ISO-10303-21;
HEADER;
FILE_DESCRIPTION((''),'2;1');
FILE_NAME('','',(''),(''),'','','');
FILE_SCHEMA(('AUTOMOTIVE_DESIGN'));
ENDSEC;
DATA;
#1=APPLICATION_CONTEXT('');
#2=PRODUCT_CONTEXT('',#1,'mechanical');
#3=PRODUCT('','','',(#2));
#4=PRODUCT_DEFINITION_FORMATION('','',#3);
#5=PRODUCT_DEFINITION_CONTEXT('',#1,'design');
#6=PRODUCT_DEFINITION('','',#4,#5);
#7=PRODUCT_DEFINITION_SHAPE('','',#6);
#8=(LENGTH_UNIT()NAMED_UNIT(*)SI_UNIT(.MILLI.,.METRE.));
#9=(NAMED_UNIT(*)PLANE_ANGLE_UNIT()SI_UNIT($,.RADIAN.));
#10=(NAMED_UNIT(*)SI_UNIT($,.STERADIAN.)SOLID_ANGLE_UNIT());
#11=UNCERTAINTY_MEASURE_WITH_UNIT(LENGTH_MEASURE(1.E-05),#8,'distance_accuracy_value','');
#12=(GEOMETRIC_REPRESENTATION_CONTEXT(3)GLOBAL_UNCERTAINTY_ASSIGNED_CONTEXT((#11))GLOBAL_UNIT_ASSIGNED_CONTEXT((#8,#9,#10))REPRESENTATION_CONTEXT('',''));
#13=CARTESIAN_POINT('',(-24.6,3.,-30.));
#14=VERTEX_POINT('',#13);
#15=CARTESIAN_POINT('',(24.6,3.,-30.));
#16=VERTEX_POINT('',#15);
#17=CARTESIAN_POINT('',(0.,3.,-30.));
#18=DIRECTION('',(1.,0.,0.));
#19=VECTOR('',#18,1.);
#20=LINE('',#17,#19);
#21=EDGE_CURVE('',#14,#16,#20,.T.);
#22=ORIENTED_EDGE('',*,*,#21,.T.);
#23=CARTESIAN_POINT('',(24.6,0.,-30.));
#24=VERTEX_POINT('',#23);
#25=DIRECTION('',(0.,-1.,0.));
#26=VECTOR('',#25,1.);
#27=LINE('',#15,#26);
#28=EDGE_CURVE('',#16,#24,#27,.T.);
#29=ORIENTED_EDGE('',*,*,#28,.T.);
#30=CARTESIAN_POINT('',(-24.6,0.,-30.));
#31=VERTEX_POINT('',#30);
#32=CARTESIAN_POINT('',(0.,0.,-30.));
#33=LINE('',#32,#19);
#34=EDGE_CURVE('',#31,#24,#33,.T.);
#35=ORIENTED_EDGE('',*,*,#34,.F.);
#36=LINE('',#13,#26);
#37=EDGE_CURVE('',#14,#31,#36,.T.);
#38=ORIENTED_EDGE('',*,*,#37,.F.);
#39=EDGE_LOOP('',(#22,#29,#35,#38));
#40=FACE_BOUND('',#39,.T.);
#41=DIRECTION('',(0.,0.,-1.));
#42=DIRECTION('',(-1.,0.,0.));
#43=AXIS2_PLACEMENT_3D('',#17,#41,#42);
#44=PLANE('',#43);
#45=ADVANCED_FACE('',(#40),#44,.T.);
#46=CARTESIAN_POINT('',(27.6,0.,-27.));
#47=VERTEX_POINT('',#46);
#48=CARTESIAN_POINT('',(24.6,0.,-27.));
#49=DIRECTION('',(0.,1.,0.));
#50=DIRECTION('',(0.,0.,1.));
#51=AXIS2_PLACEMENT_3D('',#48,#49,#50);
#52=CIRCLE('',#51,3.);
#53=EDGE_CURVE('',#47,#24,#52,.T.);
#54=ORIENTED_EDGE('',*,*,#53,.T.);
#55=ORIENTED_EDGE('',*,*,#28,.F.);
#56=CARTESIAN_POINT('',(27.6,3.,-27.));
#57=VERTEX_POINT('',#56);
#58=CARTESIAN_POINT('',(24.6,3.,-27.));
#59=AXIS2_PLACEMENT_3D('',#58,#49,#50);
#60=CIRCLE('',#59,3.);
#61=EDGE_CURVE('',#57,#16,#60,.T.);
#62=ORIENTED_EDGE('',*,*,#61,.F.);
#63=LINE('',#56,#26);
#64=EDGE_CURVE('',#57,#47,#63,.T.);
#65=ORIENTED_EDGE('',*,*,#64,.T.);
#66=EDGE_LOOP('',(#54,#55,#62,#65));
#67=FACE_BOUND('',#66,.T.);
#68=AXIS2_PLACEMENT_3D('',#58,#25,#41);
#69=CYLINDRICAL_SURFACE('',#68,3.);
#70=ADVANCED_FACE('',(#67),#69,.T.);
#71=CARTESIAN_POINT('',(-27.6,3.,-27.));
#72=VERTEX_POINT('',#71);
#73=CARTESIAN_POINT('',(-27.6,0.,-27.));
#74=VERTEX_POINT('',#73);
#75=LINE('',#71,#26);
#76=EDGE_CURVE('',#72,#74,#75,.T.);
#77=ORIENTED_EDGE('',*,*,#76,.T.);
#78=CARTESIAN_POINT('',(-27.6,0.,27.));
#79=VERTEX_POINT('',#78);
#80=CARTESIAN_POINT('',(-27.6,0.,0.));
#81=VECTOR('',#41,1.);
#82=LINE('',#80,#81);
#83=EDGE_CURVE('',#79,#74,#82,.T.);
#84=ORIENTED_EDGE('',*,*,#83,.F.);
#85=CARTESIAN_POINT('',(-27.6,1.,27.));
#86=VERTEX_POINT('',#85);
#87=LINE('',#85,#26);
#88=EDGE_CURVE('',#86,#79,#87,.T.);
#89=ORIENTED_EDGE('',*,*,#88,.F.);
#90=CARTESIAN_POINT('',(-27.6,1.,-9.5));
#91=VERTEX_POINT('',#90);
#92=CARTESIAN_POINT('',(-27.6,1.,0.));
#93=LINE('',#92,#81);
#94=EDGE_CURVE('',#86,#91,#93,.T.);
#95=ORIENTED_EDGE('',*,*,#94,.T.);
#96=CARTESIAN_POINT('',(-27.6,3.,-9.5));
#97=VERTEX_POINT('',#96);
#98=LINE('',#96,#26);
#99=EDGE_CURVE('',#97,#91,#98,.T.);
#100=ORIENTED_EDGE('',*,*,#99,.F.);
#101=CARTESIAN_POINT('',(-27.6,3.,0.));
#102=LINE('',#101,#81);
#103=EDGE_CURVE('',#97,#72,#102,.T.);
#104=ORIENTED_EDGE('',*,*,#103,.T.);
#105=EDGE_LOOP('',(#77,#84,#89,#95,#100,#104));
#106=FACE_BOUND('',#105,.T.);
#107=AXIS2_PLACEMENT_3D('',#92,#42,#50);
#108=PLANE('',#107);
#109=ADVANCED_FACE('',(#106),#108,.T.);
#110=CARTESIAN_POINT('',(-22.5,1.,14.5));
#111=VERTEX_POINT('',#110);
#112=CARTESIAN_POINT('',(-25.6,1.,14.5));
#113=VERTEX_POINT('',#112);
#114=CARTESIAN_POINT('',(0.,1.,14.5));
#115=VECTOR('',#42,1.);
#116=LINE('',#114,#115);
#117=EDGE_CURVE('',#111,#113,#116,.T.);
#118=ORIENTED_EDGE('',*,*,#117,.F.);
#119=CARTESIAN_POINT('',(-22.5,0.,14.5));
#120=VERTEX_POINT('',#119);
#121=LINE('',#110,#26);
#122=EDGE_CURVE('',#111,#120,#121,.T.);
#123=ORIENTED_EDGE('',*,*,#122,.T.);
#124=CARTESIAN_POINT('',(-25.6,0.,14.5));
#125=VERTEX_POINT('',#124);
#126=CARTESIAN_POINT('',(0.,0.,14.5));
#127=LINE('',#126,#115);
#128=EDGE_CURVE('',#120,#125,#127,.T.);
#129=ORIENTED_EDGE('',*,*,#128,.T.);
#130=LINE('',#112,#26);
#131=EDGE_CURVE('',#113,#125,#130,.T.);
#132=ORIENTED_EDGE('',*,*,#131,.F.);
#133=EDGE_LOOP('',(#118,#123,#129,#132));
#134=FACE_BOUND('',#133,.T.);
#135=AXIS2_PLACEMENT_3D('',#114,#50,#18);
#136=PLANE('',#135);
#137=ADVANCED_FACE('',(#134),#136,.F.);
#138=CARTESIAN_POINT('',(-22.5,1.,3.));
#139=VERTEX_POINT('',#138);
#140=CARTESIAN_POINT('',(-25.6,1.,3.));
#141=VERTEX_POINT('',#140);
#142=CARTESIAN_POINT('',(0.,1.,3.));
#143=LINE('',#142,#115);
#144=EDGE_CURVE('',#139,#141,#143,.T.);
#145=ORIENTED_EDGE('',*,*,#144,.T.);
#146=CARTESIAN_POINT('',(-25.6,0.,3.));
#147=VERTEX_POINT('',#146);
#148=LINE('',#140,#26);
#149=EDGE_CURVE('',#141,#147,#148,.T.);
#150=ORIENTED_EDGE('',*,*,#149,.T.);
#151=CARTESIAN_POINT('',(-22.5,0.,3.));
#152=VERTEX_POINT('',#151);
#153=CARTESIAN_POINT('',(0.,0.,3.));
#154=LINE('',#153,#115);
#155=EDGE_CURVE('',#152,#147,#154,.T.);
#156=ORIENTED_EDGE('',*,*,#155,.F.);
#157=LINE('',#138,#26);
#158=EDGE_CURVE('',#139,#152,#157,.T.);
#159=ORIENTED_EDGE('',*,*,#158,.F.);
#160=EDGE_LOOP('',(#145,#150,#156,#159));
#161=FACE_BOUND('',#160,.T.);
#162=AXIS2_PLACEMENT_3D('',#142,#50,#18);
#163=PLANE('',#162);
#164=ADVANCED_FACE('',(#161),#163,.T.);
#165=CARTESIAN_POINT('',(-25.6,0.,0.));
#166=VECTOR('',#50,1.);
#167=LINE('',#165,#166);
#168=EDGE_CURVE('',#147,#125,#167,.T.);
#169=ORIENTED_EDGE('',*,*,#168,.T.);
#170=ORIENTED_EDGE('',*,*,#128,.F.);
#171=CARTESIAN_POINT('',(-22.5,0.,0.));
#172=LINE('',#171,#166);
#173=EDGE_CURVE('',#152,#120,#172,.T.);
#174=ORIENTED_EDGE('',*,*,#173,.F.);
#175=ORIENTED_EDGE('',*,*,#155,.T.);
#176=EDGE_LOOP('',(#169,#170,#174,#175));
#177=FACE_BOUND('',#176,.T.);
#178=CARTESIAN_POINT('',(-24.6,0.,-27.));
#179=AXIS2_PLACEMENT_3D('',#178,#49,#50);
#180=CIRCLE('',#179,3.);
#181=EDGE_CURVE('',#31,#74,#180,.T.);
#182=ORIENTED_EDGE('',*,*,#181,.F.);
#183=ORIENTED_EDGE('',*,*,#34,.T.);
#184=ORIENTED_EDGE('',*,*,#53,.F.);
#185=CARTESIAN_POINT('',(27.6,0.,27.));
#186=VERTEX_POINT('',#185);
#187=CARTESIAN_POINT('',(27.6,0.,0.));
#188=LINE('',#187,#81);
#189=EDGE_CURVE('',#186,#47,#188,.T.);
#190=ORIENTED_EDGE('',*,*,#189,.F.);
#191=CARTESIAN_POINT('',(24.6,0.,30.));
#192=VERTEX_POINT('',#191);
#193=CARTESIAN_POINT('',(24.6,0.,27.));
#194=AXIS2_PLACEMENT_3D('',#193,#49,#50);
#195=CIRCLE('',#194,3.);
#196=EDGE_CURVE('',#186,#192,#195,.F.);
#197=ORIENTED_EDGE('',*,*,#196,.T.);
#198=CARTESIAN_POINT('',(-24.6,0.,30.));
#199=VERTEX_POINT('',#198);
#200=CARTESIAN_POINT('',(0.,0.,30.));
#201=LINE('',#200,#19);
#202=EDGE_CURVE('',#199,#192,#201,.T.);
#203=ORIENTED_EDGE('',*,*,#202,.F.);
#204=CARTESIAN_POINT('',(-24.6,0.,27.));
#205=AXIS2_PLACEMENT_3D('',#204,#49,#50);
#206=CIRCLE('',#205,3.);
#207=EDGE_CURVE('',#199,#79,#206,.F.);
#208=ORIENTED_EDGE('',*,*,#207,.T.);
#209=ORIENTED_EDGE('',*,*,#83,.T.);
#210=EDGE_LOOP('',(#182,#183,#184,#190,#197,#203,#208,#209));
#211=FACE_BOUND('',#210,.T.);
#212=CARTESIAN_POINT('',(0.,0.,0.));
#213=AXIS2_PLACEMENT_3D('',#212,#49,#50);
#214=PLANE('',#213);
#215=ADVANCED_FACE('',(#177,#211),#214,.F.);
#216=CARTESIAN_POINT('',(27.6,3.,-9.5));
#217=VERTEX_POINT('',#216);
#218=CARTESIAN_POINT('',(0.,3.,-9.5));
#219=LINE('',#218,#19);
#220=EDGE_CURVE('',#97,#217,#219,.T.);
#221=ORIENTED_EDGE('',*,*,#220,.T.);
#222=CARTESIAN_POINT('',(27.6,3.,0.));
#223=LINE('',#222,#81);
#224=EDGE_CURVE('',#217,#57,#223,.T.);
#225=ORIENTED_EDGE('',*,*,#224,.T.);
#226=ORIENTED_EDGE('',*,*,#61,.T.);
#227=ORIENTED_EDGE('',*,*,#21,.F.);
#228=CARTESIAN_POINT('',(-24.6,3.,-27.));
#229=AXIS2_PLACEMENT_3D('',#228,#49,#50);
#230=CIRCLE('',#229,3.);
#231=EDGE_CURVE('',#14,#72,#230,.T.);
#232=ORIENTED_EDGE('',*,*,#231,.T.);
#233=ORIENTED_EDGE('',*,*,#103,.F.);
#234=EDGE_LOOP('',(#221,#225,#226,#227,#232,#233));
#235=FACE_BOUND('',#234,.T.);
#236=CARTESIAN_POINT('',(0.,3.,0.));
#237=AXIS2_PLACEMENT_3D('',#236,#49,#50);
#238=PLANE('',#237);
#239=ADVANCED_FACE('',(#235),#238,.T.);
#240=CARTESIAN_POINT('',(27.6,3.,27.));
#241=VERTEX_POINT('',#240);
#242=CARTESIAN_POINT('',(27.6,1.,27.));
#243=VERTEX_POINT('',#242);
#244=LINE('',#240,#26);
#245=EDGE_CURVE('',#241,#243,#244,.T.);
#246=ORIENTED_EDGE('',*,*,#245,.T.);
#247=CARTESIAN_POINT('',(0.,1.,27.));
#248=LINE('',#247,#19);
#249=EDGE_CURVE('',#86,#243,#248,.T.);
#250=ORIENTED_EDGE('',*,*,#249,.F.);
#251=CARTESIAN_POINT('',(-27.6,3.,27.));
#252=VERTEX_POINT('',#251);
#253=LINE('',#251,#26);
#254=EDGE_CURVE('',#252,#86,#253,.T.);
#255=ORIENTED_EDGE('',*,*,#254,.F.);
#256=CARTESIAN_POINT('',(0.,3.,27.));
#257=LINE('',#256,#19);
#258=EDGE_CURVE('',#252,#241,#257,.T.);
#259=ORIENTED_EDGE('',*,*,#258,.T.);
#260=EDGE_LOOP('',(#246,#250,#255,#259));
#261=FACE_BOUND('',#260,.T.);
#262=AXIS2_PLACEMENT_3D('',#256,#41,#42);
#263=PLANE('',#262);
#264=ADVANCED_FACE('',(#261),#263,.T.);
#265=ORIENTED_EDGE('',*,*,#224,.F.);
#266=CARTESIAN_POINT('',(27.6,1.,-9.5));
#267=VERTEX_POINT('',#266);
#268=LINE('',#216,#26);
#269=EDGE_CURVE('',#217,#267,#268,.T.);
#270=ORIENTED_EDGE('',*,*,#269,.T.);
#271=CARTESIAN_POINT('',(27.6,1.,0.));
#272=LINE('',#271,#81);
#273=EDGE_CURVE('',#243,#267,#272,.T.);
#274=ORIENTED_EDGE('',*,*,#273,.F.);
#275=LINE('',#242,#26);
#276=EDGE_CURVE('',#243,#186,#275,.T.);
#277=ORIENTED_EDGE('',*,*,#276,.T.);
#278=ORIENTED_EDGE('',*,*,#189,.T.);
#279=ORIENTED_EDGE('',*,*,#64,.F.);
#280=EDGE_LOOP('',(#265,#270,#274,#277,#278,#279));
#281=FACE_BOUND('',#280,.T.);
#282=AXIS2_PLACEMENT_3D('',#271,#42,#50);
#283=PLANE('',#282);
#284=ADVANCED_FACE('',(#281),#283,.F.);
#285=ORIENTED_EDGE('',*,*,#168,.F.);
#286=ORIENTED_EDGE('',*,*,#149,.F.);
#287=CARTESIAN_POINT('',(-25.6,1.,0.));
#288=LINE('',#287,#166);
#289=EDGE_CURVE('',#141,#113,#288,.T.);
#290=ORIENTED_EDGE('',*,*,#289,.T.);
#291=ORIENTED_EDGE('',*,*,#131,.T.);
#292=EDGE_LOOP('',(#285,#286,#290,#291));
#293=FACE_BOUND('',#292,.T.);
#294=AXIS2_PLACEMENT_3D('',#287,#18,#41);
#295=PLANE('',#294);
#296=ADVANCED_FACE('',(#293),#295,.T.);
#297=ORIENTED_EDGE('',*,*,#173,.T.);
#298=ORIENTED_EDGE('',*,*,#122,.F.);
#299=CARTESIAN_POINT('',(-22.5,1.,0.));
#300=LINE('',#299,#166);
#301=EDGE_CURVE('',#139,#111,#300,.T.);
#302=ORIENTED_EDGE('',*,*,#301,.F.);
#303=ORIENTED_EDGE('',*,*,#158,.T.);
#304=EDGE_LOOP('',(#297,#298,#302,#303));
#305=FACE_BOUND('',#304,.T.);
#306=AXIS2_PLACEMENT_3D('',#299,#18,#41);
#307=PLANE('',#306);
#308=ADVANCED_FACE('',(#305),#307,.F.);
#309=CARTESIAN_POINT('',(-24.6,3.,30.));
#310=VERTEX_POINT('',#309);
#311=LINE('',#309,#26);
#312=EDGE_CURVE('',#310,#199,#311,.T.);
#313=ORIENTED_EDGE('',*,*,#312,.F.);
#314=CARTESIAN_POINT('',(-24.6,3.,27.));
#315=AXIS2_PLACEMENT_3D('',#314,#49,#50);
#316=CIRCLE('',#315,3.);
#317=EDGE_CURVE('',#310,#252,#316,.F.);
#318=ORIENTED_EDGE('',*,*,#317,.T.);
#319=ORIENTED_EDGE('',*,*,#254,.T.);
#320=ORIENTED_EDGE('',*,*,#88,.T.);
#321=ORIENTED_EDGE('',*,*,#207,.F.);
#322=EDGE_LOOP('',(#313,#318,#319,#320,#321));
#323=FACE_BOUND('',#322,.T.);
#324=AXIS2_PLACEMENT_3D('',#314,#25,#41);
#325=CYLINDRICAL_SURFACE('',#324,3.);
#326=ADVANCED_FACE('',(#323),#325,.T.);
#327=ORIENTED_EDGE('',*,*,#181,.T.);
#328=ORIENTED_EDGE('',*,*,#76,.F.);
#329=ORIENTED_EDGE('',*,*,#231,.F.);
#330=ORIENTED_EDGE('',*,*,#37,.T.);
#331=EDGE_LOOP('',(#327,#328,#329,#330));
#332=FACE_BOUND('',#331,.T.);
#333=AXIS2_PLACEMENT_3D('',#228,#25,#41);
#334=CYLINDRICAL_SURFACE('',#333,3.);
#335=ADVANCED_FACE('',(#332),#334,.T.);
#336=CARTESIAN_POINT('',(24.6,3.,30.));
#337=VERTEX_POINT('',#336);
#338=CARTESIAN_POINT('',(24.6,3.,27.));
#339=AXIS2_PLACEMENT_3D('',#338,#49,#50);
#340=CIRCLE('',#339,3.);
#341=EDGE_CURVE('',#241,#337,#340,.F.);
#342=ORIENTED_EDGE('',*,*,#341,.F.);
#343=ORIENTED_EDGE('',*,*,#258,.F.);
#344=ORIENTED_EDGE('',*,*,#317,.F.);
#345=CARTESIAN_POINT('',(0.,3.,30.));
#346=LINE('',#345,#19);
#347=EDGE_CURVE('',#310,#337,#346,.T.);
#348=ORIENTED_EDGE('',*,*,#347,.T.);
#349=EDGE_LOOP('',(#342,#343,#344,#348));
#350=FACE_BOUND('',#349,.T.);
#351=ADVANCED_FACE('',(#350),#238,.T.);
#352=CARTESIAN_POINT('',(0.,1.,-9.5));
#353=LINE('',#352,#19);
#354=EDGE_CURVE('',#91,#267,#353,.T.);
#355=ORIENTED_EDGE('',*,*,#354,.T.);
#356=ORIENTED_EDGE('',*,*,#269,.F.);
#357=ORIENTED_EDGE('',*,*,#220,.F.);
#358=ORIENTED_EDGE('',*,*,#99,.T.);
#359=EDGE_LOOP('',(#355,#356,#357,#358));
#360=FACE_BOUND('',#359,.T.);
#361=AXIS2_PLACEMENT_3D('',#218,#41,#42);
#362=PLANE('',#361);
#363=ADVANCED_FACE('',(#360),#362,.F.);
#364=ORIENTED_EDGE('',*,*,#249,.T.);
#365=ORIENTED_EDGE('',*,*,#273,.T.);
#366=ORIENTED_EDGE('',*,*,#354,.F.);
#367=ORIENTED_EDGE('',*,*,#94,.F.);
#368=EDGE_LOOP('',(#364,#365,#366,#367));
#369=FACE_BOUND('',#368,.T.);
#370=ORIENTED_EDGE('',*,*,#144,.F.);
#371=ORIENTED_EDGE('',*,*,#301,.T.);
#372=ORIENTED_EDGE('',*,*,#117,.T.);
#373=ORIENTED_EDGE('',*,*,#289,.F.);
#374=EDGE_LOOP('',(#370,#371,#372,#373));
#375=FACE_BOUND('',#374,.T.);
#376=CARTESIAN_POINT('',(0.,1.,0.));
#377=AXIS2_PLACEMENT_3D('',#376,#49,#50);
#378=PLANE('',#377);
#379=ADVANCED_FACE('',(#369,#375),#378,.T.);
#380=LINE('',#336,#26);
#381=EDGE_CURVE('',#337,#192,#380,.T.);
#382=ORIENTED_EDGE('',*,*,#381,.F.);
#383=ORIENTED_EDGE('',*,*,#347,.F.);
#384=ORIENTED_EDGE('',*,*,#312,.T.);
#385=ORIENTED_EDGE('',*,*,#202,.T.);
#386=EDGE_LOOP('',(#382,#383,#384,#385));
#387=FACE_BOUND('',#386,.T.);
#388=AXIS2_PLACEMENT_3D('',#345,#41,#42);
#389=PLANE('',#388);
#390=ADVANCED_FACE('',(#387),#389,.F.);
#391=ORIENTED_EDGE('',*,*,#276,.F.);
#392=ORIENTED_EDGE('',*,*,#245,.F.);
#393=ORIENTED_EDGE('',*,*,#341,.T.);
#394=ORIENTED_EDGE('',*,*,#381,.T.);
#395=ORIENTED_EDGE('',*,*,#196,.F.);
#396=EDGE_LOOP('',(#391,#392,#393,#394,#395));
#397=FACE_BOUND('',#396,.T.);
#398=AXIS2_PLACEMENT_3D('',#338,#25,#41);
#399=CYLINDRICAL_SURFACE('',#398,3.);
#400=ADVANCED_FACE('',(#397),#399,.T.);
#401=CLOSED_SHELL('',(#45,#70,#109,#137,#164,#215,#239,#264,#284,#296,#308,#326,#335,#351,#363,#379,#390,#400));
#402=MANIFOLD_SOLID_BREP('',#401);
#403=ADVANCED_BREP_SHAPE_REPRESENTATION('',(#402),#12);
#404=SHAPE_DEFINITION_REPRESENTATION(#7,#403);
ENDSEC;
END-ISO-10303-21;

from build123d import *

# Parameters (mm, degrees)
BOSS_EXTRUDE1_DEPTH   = 3
BOSS_EXTRUDE1_2_DEPTH = 3
SKETCH1_5_W           = 55.2
SKETCH1_5_H           = 36.5
SKETCH1_5_W_2         = 3.1
SKETCH1_5_H_2         = 11.5
BOSS_EXTRUDE2_DEPTH   = 1


with BuildPart() as part:
    # Sketch1 → Boss-Extrude1 (new body)
    with BuildSketch(Plane(origin=(0, 0, 0), x_dir=(1, 0, 0), z_dir=(0, 1, 0))):
        with BuildLine():
            ThreePointArc((-27.6, -27), (-26.721320344, -29.121320344), (-24.6, -30))
            Line((-24.6, -30), (24.6, -30))
            ThreePointArc((24.6, -30), (26.721320344, -29.121320344), (27.6, -27))
            Line((27.6, -27), (-27.6, -27))
        make_face()
    extrude(amount=BOSS_EXTRUDE1_DEPTH)



with BuildPart() as body_2:
    # Sketch1 → Boss-Extrude1 2 (new body)
    with BuildSketch(Plane(origin=(0, 0, 0), x_dir=(1, 0, 0), z_dir=(0, 1, 0))):
        with BuildLine():
            Line((-27.6, 27), (-27.6, 9.5))
            Line((-27.6, 9.5), (27.6, 9.5))
            Line((27.6, 9.5), (27.6, 27))
            ThreePointArc((27.6, 27), (26.721320344, 29.121320344), (24.6, 30))
            Line((24.6, 30), (-24.6, 30))
            ThreePointArc((-24.6, 30), (-26.721320344, 29.121320344), (-27.6, 27))
        make_face()
    extrude(amount=BOSS_EXTRUDE1_2_DEPTH)


with BuildPart() as part_1:
    add(part.part)

    add(body_2.part)  # Boss-Extrude2 merges body 2
    # Sketch1<5> → Boss-Extrude2 (add)
    with BuildSketch(Plane(origin=(0, 0, 0), x_dir=(1, 0, 0), z_dir=(0, 1, 0))):
        with Locations((0, -8.75)):
            Rectangle(SKETCH1_5_W, SKETCH1_5_H)
        with Locations((-24.05, -8.75)):
            Rectangle(SKETCH1_5_W_2, SKETCH1_5_H_2, mode=Mode.SUBTRACT)
    extrude(amount=BOSS_EXTRUDE2_DEPTH)


solid = part_1.part
